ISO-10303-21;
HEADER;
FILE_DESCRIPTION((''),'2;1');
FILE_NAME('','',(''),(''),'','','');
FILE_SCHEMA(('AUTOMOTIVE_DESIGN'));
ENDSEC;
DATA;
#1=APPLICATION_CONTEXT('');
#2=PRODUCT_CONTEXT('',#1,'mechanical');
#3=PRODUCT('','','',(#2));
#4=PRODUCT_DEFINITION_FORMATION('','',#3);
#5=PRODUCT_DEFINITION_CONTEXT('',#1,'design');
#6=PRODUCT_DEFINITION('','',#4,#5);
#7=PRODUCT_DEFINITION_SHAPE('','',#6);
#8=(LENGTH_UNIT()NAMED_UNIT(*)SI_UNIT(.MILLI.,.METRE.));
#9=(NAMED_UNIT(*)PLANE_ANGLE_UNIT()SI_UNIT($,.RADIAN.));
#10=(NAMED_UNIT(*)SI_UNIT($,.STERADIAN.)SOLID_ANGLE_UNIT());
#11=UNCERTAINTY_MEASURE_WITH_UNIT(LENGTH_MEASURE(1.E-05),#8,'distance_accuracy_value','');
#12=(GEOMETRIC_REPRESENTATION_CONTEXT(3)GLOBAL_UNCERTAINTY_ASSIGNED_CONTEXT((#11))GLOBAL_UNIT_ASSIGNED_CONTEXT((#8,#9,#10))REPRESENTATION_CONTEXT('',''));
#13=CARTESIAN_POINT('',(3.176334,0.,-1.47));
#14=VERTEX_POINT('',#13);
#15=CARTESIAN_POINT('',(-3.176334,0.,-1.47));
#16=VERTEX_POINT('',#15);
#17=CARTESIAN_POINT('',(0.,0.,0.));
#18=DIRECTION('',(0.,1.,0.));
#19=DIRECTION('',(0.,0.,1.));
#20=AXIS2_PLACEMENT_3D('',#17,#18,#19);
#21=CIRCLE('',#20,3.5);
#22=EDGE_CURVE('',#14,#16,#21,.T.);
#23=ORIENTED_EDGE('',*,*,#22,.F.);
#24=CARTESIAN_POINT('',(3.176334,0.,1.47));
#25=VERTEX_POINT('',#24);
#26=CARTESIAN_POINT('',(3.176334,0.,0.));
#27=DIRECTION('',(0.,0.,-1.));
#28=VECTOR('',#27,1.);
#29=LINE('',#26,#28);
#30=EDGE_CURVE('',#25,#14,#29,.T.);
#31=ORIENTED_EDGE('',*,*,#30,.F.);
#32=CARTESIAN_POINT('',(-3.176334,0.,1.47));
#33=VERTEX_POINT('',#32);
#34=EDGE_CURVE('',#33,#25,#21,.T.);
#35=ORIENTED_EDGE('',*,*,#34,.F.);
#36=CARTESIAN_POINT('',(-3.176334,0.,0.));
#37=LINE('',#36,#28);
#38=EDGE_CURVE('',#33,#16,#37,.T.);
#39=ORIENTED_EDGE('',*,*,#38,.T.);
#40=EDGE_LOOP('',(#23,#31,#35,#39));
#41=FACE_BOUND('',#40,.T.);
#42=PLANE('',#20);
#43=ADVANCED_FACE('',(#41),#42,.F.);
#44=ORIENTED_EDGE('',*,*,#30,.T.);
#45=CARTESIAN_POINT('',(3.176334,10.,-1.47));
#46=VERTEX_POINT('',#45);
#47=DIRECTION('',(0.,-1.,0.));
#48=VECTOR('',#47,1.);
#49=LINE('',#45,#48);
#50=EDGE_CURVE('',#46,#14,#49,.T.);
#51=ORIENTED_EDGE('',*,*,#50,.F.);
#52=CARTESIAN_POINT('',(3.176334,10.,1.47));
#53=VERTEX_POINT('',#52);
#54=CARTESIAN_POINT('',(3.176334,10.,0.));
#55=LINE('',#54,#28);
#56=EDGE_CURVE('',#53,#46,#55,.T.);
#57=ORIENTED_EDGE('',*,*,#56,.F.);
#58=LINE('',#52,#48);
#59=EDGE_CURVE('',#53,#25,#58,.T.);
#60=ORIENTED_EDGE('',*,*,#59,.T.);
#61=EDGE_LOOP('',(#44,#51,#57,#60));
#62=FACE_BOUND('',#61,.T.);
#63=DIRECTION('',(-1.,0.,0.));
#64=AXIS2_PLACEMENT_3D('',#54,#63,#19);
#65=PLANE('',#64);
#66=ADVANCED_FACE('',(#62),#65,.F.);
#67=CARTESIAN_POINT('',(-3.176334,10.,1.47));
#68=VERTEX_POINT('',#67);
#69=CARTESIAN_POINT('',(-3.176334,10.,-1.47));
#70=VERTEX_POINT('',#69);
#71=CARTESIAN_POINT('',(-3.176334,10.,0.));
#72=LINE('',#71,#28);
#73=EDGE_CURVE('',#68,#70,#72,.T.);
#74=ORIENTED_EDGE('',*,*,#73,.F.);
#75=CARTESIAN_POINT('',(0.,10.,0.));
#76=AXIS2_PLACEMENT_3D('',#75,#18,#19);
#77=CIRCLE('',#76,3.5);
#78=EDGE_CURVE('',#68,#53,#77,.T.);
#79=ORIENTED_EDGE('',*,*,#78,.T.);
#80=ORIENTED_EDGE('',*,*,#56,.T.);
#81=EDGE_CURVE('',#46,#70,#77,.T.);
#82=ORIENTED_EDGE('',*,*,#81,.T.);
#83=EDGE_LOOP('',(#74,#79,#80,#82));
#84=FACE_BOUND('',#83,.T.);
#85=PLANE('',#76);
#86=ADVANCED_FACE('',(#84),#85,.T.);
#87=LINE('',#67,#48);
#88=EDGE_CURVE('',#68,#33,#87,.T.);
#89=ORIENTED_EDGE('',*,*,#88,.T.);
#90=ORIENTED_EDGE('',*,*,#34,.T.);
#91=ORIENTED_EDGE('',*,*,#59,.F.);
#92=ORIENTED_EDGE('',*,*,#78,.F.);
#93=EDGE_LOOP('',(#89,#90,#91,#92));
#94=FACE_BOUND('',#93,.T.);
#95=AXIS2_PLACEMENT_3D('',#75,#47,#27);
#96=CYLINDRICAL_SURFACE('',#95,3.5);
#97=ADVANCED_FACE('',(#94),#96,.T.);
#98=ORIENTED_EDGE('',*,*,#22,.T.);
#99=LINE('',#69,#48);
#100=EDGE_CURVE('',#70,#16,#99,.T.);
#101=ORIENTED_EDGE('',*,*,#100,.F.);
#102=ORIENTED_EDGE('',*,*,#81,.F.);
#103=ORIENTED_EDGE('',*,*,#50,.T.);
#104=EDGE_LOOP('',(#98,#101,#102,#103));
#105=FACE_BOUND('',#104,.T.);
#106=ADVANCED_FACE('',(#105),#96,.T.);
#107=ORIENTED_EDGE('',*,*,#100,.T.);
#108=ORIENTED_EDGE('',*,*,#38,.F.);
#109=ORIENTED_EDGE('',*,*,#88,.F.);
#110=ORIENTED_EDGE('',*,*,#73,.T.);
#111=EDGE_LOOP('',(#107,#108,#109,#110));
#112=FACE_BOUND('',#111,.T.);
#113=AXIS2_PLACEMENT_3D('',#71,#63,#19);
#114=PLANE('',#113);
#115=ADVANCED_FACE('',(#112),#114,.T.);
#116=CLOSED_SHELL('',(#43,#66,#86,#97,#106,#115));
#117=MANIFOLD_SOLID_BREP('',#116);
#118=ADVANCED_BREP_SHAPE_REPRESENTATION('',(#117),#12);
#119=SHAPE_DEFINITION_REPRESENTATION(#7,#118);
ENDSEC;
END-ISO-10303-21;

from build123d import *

# Parameters (mm, degrees)
BOSS_EXTRUDE1_DEPTH = 10


with BuildPart() as part:
    # Sketch1 → Boss-Extrude1 (new body)
    with BuildSketch(Plane(origin=(0, 0, 0), x_dir=(1, 0, 0), z_dir=(0, 1, 0))):
        with BuildLine():
            Line((-3.176334365, 1.47), (-3.176334365, -1.47))
            ThreePointArc((-3.176334365, -1.47), (0, -3.5), (3.176334365, -1.47))
            Line((3.176334365, -1.47), (3.176334365, 1.47))
            ThreePointArc((3.176334365, 1.47), (0, 3.5), (-3.176334365, 1.47))
        make_face()
    extrude(amount=BOSS_EXTRUDE1_DEPTH)


solid = part.part
